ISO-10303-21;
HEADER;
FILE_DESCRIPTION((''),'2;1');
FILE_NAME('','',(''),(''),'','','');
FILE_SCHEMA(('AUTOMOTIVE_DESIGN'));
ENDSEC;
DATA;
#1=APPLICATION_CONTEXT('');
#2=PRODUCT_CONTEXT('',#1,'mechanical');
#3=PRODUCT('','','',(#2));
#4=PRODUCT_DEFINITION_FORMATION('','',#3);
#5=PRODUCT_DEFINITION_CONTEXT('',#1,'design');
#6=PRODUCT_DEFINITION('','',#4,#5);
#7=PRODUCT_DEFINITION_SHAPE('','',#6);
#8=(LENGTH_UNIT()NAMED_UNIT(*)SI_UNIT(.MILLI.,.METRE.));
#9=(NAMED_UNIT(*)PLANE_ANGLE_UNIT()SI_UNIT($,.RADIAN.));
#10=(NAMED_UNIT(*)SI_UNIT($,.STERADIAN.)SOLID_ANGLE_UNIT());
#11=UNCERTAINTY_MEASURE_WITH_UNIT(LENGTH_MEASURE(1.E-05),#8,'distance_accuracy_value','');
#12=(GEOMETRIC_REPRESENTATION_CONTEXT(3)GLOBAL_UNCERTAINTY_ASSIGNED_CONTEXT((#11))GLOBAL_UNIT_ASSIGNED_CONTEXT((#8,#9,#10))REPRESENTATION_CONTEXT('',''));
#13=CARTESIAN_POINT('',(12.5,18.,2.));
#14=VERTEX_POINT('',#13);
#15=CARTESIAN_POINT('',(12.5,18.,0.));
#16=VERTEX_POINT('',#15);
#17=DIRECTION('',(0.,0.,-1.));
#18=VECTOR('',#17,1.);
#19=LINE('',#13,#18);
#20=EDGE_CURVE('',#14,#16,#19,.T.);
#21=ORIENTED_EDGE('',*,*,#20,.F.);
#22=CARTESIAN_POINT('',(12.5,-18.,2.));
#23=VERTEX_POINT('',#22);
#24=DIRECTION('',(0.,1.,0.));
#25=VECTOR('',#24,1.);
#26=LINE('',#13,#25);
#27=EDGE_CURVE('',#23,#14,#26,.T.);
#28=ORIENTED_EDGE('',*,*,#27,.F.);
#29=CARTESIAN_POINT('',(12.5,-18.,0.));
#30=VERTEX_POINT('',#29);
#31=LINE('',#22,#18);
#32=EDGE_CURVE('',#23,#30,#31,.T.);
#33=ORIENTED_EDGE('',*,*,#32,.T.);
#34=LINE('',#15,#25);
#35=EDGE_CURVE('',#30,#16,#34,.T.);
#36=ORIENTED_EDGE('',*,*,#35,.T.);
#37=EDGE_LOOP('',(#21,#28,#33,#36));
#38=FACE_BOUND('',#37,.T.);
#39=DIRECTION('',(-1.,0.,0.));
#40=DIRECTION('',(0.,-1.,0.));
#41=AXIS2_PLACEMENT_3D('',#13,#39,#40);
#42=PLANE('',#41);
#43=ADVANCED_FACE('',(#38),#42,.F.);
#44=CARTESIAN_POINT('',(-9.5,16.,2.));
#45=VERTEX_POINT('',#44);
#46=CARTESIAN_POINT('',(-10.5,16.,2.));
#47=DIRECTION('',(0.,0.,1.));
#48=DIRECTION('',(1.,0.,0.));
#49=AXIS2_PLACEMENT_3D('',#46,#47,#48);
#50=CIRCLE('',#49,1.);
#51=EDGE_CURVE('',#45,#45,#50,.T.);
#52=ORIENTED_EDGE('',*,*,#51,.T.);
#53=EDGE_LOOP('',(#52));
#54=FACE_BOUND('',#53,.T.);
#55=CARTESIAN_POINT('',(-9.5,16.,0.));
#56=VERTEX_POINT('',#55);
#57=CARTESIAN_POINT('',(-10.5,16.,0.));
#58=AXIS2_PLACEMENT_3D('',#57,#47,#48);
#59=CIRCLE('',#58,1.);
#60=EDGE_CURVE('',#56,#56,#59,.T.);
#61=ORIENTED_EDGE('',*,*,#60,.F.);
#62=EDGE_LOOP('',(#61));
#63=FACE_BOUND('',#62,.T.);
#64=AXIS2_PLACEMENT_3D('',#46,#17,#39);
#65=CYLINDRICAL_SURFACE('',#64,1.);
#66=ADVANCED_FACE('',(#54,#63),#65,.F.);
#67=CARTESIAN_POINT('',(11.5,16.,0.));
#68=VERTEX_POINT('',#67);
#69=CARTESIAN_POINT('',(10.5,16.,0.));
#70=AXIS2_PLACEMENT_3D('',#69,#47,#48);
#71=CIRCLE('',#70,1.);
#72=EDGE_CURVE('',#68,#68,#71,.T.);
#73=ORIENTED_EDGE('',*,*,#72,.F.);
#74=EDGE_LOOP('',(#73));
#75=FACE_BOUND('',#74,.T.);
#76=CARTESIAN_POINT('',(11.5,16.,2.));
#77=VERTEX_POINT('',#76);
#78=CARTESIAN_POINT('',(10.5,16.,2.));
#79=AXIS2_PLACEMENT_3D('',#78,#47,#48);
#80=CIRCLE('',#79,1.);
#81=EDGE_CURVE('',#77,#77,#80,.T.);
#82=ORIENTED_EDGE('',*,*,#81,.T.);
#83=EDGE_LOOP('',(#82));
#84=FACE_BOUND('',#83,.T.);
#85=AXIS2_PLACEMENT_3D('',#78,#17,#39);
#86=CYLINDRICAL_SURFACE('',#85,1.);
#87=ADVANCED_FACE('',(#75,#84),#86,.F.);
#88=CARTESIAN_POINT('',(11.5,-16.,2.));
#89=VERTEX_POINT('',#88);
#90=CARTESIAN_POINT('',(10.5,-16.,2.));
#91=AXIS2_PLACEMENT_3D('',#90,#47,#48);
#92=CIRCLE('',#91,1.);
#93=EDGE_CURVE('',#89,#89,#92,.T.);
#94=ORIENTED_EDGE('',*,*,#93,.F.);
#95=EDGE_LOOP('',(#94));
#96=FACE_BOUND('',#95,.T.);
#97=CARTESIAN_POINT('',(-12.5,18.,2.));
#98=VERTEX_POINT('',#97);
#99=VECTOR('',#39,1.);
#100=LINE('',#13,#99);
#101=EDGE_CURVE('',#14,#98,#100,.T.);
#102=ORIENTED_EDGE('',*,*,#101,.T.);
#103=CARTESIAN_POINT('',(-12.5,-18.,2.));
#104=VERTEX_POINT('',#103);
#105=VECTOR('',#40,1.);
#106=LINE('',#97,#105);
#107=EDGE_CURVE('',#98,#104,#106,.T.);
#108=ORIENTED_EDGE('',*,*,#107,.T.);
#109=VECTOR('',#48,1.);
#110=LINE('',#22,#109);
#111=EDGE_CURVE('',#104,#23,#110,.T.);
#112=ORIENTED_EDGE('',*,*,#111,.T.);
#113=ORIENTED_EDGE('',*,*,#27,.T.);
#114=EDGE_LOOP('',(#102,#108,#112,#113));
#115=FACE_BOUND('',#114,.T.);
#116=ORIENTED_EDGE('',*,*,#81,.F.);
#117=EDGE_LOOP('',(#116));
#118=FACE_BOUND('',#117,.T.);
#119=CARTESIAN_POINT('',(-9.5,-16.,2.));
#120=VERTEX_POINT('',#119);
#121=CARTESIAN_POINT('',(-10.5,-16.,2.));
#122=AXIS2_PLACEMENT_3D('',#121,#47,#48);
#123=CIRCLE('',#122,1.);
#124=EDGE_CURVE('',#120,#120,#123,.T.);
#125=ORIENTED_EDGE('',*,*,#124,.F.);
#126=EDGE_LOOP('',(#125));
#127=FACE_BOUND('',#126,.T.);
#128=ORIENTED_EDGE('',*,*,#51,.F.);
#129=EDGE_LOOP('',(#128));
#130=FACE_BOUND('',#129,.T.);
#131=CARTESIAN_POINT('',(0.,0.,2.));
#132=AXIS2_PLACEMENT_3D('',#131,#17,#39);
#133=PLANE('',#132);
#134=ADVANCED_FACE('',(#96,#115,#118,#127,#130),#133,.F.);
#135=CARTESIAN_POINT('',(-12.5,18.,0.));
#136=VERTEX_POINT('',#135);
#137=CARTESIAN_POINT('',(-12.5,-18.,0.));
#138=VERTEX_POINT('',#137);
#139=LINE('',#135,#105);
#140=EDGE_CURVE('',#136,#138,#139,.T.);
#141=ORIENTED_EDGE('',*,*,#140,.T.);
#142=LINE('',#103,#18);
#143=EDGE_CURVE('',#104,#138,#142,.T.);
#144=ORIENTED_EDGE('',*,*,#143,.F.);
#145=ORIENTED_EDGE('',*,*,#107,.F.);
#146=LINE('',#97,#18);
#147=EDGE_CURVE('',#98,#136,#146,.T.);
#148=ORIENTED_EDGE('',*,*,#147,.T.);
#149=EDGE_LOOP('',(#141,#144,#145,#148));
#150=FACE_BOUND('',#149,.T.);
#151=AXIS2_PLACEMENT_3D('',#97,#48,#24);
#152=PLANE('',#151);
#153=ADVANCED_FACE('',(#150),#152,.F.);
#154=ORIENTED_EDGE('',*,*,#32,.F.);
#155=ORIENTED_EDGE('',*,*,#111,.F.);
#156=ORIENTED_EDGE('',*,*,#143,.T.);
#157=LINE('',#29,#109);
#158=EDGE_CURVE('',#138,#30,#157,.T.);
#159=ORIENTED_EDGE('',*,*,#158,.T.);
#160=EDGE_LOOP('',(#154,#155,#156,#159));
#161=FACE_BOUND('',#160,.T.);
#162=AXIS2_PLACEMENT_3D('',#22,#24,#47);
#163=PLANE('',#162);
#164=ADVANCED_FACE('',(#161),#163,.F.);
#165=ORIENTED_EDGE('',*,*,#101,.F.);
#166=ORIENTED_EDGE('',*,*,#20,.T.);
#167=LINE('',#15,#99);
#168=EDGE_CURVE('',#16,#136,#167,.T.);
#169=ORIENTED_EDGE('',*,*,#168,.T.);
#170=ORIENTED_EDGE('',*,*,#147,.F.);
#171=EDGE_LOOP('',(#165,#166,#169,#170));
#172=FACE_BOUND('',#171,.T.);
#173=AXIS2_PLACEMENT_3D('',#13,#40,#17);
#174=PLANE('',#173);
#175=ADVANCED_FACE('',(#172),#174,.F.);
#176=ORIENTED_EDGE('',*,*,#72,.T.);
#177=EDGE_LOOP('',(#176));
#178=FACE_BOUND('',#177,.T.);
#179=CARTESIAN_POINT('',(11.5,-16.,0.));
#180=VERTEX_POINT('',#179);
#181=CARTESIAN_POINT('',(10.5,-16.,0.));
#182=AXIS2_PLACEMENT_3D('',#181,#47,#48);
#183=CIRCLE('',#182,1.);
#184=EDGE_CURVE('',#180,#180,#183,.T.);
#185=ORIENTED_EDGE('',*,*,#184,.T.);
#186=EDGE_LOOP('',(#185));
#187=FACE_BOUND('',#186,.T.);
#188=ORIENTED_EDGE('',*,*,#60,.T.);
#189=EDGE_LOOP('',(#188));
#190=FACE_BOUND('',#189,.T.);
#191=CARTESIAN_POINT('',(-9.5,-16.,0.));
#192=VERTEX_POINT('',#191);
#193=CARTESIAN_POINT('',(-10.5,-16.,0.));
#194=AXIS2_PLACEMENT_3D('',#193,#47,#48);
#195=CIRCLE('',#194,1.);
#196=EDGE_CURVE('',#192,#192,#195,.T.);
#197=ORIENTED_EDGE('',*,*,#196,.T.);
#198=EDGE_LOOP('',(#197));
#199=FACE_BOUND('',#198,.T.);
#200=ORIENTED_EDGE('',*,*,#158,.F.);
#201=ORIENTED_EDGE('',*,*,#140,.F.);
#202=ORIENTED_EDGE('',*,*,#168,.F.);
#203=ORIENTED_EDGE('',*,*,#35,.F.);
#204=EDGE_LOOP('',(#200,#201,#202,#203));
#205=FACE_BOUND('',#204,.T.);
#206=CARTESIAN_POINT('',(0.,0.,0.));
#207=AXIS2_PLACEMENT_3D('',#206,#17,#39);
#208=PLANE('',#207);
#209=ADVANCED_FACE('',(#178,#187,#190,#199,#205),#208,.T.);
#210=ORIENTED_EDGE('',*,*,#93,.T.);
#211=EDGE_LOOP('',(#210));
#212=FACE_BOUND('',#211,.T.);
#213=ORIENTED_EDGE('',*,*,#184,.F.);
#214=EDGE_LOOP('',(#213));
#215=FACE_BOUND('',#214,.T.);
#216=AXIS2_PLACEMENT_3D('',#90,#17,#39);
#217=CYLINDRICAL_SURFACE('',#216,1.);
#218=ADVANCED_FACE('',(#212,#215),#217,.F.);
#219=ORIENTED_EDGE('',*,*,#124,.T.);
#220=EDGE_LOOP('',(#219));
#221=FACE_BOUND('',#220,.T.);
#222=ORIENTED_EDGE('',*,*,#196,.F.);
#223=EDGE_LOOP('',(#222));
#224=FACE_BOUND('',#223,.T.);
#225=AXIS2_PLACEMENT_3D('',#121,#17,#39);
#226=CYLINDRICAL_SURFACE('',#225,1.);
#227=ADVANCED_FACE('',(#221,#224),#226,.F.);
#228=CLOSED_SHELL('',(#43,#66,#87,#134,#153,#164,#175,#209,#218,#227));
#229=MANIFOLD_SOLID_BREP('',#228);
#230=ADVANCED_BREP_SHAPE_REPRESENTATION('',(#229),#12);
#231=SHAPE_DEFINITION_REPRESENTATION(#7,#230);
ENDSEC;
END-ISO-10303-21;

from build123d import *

# Parameters (mm, degrees)
SKETCH1_W           = 25
SKETCH1_H           = 36
SKETCH1_R           = 1
BOSS_EXTRUDE1_DEPTH = 2


with BuildPart() as part:
    # Sketch1 → Boss-Extrude1 (new body)
    with BuildSketch(Plane.XY):
        Rectangle(SKETCH1_W, SKETCH1_H)
        with Locations((-10.5, -16)):
            Circle(SKETCH1_R, mode=Mode.SUBTRACT)
        with Locations((-10.5, 16)):
            Circle(SKETCH1_R, mode=Mode.SUBTRACT)
        with Locations((10.5, 16)):
            Circle(SKETCH1_R, mode=Mode.SUBTRACT)
        with Locations((10.5, -16)):
            Circle(SKETCH1_R, mode=Mode.SUBTRACT)
    extrude(amount=BOSS_EXTRUDE1_DEPTH)


solid = part.part
